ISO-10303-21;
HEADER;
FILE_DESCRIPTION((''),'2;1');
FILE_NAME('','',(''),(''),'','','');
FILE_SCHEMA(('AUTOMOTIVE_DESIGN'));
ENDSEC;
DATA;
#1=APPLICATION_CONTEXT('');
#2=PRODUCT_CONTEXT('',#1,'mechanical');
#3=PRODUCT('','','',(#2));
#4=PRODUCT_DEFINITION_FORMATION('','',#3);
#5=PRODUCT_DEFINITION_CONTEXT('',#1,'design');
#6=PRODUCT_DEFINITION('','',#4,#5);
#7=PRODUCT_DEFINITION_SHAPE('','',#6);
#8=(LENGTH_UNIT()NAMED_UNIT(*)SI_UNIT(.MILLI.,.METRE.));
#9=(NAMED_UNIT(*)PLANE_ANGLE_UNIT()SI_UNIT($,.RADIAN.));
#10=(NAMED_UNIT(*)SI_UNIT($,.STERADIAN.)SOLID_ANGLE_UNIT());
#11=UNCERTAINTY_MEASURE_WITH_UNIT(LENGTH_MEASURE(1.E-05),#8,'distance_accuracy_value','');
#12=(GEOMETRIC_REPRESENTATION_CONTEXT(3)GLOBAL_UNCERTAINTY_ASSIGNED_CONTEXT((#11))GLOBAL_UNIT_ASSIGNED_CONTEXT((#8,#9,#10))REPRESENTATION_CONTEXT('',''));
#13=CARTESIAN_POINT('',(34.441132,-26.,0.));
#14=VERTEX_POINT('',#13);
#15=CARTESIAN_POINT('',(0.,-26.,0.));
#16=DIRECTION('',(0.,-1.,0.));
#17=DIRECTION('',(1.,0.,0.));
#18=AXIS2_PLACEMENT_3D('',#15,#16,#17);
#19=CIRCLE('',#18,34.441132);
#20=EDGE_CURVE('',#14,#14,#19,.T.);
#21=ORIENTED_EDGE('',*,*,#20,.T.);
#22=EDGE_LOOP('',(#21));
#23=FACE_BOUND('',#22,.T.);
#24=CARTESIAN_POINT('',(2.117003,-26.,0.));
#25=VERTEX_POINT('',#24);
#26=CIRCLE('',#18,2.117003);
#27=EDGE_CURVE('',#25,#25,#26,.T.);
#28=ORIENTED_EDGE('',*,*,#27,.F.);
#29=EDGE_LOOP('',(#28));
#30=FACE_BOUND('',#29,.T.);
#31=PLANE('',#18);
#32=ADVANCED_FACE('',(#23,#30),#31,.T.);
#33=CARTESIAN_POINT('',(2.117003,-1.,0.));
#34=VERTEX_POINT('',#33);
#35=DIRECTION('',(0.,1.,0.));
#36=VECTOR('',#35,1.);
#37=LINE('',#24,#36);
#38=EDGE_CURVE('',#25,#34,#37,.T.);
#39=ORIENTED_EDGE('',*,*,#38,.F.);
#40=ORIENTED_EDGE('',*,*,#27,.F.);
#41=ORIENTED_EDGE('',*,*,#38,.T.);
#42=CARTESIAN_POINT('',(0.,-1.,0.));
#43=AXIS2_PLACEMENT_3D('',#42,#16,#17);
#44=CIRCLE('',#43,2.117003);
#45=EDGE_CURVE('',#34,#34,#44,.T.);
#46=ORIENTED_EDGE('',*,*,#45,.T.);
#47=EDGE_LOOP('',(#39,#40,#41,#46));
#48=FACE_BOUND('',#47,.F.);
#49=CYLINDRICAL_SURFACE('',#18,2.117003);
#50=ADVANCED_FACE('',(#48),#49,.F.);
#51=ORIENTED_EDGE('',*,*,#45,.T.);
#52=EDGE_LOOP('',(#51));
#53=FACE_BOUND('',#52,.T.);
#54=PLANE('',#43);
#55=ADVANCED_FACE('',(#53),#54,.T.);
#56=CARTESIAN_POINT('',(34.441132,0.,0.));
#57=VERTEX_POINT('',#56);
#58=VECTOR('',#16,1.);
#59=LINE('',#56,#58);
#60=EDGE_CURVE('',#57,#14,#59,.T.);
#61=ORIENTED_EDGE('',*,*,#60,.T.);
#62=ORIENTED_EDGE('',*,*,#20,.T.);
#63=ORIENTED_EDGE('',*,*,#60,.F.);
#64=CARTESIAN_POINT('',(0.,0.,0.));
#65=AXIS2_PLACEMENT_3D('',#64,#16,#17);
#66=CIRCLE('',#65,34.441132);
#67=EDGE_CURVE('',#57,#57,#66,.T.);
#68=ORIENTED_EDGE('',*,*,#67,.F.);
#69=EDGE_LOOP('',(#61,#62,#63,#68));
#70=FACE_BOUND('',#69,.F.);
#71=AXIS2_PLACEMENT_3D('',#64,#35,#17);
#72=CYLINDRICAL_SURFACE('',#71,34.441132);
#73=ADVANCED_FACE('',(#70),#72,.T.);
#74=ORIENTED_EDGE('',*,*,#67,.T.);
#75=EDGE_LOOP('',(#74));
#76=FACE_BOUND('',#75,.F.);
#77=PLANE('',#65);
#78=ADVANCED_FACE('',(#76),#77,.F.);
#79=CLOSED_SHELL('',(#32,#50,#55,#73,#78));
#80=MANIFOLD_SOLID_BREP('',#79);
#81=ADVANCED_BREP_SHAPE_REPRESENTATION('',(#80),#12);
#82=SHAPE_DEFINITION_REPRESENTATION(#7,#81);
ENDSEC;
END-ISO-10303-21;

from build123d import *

# Parameters (mm, degrees)
F0_R     = 34.441132
F1_DEPTH = 26
F2_R     = 2.117003
F3_DEPTH = 25


with BuildPart() as f1:
    # F0 (on Front) → F1 (new body)
    with BuildSketch(Plane.XZ):
        Circle(F0_R)
    extrude(amount=F1_DEPTH)

    # F2 (on face) → F3 (cut)
    with BuildSketch(Plane.XZ.offset(26)):
        Circle(F2_R)
    extrude(amount=-F3_DEPTH, mode=Mode.SUBTRACT)


solid = f1.part
